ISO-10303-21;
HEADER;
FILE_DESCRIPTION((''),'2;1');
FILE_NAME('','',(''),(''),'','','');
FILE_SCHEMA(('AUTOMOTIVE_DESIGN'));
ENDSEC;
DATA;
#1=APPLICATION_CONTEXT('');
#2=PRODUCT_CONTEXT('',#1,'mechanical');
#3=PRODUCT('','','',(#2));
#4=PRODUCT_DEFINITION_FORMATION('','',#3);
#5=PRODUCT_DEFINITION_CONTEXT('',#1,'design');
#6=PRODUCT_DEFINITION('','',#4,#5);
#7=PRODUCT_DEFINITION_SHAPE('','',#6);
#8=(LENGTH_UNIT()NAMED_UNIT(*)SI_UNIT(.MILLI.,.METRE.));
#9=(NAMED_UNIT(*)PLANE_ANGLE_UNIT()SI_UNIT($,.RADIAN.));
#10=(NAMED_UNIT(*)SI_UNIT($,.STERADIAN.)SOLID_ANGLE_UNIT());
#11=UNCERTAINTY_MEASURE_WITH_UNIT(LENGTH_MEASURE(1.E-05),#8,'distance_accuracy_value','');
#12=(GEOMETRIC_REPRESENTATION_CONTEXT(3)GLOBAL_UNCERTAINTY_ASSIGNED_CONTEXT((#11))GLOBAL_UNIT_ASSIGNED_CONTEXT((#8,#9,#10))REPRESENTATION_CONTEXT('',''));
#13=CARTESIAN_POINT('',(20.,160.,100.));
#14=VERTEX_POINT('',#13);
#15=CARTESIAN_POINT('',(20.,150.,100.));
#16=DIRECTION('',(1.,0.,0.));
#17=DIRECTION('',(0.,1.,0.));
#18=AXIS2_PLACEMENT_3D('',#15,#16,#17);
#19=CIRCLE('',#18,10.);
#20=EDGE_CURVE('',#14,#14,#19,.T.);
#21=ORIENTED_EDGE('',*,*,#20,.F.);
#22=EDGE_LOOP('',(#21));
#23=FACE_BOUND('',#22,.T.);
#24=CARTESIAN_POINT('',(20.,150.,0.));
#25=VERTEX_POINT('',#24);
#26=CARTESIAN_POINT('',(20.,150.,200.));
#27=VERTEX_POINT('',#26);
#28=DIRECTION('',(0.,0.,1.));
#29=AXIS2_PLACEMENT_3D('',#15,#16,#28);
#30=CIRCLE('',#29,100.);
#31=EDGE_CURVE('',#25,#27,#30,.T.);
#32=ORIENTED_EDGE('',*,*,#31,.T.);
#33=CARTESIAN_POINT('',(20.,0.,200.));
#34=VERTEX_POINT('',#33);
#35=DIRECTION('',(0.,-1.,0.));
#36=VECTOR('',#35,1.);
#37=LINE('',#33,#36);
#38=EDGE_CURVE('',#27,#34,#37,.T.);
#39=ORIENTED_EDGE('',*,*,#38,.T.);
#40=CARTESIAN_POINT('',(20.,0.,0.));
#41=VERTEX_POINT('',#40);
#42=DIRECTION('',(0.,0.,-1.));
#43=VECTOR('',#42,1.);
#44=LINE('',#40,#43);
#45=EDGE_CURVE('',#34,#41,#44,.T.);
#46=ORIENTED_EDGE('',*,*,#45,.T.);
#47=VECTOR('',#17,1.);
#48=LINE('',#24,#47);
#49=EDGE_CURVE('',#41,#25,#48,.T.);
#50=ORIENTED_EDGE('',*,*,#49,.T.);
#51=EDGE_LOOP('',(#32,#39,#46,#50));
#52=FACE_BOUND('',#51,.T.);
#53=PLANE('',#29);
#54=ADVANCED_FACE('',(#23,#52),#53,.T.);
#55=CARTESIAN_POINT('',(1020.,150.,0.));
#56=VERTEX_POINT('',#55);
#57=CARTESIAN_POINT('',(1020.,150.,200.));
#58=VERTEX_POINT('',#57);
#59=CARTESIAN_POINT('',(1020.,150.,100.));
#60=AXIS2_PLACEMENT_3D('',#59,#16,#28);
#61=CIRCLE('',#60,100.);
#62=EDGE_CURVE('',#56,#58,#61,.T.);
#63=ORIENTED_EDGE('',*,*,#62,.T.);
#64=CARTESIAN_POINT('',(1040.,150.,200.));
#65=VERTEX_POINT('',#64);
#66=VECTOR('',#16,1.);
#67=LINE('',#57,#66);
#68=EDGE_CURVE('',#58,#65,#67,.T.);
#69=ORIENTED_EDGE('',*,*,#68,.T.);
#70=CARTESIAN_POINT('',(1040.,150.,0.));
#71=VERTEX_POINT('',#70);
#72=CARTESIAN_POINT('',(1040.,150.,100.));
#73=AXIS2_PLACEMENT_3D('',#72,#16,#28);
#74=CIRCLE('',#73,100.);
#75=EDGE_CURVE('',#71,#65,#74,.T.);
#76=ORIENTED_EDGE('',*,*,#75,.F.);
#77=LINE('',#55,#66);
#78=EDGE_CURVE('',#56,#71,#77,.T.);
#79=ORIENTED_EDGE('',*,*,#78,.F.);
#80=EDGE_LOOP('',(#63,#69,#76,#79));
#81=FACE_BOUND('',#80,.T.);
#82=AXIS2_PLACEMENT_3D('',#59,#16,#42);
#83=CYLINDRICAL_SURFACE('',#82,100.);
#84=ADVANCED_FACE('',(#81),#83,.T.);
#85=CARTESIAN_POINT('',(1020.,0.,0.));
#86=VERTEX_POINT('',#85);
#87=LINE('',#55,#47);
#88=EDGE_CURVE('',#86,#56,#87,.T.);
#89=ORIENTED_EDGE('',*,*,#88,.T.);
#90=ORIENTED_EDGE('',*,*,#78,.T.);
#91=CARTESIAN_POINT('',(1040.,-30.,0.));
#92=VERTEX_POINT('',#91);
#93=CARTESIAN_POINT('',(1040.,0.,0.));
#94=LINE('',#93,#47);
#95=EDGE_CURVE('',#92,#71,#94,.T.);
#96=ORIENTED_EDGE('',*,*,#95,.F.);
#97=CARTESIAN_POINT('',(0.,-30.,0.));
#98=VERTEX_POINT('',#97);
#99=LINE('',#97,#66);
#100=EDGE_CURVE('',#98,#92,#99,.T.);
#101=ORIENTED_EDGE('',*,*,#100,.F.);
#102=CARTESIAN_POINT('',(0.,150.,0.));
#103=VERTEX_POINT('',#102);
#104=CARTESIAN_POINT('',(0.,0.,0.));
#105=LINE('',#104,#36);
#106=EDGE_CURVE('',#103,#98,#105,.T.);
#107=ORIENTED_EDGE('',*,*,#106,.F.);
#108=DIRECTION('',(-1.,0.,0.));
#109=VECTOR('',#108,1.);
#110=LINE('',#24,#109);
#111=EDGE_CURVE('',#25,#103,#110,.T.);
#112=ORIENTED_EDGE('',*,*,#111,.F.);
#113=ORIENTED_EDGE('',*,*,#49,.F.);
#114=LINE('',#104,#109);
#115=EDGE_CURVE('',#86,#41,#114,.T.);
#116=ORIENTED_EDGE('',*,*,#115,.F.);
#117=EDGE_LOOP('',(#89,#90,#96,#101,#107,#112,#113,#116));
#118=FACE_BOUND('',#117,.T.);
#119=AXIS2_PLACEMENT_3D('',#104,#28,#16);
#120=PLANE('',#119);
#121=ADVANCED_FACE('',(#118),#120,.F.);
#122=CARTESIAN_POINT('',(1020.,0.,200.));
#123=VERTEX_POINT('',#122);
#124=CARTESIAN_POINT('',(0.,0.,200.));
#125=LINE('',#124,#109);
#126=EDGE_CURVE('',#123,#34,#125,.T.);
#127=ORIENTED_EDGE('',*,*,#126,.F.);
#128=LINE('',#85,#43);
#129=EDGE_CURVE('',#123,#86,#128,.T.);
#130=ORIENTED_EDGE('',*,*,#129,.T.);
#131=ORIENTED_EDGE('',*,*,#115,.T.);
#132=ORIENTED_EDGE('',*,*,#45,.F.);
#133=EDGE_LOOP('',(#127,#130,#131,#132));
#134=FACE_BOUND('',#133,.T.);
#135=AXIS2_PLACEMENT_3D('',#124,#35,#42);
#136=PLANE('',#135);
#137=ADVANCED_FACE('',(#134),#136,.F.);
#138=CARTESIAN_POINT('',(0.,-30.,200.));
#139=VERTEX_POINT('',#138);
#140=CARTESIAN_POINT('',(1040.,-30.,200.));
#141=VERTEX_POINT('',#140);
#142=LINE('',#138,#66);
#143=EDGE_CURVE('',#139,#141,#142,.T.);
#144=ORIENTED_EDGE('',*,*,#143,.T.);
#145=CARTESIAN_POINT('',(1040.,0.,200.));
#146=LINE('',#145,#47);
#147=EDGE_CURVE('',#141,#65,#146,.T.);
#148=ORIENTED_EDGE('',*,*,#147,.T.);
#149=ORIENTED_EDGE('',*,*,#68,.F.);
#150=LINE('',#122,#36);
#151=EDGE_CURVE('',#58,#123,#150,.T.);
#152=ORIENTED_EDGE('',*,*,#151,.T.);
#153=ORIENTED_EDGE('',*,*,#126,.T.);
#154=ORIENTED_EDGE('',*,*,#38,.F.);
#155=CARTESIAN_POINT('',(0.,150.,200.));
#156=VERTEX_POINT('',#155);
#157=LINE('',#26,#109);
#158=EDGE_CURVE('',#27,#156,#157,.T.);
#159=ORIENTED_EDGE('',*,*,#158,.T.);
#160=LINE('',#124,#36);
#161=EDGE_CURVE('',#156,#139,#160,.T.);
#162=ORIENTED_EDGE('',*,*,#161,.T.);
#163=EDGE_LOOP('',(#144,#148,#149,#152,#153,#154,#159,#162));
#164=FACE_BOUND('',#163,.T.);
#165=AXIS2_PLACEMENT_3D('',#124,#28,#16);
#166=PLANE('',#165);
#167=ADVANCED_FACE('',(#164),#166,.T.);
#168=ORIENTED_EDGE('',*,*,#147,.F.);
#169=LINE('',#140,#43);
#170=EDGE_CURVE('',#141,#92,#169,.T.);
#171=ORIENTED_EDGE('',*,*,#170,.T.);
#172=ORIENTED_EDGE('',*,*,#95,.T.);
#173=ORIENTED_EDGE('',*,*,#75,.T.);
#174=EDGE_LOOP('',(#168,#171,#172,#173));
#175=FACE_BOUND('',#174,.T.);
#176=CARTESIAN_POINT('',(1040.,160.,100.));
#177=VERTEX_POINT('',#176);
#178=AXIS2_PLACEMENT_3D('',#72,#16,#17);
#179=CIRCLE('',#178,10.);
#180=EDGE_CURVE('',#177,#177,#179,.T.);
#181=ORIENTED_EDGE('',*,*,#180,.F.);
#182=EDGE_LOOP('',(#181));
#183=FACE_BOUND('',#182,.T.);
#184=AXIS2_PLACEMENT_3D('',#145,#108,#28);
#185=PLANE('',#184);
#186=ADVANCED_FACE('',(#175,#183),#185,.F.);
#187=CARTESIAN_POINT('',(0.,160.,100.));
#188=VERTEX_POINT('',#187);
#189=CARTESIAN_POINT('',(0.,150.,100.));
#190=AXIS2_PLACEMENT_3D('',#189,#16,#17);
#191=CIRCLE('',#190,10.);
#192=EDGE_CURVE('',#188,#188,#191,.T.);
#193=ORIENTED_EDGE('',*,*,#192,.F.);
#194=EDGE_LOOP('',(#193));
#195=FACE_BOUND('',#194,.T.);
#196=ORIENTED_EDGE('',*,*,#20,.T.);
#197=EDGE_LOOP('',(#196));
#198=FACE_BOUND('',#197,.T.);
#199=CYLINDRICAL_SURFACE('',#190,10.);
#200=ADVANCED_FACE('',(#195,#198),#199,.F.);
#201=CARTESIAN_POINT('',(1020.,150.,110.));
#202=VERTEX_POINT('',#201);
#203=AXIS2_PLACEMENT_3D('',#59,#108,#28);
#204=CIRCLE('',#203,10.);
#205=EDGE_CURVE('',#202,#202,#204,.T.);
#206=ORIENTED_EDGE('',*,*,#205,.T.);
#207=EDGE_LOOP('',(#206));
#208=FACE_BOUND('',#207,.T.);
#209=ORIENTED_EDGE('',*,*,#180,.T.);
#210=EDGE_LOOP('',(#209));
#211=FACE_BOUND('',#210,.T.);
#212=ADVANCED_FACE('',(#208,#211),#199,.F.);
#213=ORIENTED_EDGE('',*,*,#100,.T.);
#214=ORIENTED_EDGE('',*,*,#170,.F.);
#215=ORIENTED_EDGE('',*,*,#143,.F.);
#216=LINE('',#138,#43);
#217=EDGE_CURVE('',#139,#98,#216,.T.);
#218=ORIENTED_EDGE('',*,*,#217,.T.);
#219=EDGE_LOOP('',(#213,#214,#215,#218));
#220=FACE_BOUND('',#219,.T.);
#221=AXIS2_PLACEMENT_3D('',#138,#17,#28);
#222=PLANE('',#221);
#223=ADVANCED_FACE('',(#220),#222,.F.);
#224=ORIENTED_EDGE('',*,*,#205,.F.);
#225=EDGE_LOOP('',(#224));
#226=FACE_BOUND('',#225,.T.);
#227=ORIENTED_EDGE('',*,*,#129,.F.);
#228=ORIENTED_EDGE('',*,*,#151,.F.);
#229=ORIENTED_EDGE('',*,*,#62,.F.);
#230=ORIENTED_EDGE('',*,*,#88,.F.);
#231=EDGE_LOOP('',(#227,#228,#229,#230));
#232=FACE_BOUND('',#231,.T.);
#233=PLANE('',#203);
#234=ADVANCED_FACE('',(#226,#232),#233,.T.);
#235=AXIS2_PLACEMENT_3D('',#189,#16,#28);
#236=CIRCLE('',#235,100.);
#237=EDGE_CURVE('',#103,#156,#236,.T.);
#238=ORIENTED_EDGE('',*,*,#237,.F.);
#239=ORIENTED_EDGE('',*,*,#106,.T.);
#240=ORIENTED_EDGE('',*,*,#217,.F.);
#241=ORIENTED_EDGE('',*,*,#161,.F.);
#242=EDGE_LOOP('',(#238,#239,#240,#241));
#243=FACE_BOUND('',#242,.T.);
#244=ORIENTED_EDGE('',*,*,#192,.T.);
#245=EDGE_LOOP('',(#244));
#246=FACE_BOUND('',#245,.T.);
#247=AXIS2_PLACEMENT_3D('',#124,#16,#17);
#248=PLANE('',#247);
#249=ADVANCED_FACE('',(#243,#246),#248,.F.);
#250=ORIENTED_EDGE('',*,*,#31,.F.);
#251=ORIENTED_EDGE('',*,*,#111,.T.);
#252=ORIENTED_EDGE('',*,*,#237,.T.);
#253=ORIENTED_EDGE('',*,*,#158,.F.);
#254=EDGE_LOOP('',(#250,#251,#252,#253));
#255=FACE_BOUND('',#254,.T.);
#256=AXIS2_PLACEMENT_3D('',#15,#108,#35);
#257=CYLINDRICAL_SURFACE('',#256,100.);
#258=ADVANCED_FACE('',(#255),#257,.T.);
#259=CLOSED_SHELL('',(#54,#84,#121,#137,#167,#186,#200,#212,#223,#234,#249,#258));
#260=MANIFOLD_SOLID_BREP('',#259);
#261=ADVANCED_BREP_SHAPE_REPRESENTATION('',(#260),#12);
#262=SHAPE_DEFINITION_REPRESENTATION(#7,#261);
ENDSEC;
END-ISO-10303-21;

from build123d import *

# Parameters (mm, degrees)
SKETCH1_W               = 1040
SKETCH1_H               = 30
BOSS_EXTRUDE1_DEPTH     = 200
BOSS_EXTRUDE3_DEPTH     = 20
CUT_EXTRUDE1_DEPTH      = 1070.065012055
CUT_EXTRUDE1_DEPTH_BACK = 1070.065012055
SKETCH3_R               = 10


with BuildPart() as part:
    # Sketch1 → Boss-Extrude1 (new body)
    with BuildSketch(Plane.XY):
        with Locations((520, -15)):
            Rectangle(SKETCH1_W, SKETCH1_H)
    extrude(amount=BOSS_EXTRUDE1_DEPTH)

    # Sketch2 → Boss-Extrude3 (add)
    with BuildSketch(Plane(origin=(1040, 0, 0), x_dir=(0, 0, -1), z_dir=(1, 0, 0))):
        with BuildLine():
            Line((-200, 0), (-200, 150))
            ThreePointArc((-200, 150), (-100, 250), (0, 150))
            Line((0, 150), (0, 0))
            Line((0, 0), (-200, 0))
        make_face()
    boss_extrude3 = extrude(amount=-BOSS_EXTRUDE3_DEPTH)

    # Mirror2: Boss-Extrude3 across plane
    add(boss_extrude3.mirror(Plane(origin=(520, 0, 0), x_dir=(0, 0, 1), z_dir=(1, 0, 0))))

    # Sketch3 → Cut-Extrude1 (cut, two sides: drawn at the far end of the back side and taken through both)
    with BuildSketch(Plane(origin=(20, 0, 0), x_dir=(0, 0, -1), z_dir=(1, 0, 0)).offset(-CUT_EXTRUDE1_DEPTH_BACK)):
        with Locations(Location((-100, 150, 0), (0, 0, 90))):
            Circle(SKETCH3_R)
    extrude(amount=CUT_EXTRUDE1_DEPTH + CUT_EXTRUDE1_DEPTH_BACK, mode=Mode.SUBTRACT)


solid = part.part
